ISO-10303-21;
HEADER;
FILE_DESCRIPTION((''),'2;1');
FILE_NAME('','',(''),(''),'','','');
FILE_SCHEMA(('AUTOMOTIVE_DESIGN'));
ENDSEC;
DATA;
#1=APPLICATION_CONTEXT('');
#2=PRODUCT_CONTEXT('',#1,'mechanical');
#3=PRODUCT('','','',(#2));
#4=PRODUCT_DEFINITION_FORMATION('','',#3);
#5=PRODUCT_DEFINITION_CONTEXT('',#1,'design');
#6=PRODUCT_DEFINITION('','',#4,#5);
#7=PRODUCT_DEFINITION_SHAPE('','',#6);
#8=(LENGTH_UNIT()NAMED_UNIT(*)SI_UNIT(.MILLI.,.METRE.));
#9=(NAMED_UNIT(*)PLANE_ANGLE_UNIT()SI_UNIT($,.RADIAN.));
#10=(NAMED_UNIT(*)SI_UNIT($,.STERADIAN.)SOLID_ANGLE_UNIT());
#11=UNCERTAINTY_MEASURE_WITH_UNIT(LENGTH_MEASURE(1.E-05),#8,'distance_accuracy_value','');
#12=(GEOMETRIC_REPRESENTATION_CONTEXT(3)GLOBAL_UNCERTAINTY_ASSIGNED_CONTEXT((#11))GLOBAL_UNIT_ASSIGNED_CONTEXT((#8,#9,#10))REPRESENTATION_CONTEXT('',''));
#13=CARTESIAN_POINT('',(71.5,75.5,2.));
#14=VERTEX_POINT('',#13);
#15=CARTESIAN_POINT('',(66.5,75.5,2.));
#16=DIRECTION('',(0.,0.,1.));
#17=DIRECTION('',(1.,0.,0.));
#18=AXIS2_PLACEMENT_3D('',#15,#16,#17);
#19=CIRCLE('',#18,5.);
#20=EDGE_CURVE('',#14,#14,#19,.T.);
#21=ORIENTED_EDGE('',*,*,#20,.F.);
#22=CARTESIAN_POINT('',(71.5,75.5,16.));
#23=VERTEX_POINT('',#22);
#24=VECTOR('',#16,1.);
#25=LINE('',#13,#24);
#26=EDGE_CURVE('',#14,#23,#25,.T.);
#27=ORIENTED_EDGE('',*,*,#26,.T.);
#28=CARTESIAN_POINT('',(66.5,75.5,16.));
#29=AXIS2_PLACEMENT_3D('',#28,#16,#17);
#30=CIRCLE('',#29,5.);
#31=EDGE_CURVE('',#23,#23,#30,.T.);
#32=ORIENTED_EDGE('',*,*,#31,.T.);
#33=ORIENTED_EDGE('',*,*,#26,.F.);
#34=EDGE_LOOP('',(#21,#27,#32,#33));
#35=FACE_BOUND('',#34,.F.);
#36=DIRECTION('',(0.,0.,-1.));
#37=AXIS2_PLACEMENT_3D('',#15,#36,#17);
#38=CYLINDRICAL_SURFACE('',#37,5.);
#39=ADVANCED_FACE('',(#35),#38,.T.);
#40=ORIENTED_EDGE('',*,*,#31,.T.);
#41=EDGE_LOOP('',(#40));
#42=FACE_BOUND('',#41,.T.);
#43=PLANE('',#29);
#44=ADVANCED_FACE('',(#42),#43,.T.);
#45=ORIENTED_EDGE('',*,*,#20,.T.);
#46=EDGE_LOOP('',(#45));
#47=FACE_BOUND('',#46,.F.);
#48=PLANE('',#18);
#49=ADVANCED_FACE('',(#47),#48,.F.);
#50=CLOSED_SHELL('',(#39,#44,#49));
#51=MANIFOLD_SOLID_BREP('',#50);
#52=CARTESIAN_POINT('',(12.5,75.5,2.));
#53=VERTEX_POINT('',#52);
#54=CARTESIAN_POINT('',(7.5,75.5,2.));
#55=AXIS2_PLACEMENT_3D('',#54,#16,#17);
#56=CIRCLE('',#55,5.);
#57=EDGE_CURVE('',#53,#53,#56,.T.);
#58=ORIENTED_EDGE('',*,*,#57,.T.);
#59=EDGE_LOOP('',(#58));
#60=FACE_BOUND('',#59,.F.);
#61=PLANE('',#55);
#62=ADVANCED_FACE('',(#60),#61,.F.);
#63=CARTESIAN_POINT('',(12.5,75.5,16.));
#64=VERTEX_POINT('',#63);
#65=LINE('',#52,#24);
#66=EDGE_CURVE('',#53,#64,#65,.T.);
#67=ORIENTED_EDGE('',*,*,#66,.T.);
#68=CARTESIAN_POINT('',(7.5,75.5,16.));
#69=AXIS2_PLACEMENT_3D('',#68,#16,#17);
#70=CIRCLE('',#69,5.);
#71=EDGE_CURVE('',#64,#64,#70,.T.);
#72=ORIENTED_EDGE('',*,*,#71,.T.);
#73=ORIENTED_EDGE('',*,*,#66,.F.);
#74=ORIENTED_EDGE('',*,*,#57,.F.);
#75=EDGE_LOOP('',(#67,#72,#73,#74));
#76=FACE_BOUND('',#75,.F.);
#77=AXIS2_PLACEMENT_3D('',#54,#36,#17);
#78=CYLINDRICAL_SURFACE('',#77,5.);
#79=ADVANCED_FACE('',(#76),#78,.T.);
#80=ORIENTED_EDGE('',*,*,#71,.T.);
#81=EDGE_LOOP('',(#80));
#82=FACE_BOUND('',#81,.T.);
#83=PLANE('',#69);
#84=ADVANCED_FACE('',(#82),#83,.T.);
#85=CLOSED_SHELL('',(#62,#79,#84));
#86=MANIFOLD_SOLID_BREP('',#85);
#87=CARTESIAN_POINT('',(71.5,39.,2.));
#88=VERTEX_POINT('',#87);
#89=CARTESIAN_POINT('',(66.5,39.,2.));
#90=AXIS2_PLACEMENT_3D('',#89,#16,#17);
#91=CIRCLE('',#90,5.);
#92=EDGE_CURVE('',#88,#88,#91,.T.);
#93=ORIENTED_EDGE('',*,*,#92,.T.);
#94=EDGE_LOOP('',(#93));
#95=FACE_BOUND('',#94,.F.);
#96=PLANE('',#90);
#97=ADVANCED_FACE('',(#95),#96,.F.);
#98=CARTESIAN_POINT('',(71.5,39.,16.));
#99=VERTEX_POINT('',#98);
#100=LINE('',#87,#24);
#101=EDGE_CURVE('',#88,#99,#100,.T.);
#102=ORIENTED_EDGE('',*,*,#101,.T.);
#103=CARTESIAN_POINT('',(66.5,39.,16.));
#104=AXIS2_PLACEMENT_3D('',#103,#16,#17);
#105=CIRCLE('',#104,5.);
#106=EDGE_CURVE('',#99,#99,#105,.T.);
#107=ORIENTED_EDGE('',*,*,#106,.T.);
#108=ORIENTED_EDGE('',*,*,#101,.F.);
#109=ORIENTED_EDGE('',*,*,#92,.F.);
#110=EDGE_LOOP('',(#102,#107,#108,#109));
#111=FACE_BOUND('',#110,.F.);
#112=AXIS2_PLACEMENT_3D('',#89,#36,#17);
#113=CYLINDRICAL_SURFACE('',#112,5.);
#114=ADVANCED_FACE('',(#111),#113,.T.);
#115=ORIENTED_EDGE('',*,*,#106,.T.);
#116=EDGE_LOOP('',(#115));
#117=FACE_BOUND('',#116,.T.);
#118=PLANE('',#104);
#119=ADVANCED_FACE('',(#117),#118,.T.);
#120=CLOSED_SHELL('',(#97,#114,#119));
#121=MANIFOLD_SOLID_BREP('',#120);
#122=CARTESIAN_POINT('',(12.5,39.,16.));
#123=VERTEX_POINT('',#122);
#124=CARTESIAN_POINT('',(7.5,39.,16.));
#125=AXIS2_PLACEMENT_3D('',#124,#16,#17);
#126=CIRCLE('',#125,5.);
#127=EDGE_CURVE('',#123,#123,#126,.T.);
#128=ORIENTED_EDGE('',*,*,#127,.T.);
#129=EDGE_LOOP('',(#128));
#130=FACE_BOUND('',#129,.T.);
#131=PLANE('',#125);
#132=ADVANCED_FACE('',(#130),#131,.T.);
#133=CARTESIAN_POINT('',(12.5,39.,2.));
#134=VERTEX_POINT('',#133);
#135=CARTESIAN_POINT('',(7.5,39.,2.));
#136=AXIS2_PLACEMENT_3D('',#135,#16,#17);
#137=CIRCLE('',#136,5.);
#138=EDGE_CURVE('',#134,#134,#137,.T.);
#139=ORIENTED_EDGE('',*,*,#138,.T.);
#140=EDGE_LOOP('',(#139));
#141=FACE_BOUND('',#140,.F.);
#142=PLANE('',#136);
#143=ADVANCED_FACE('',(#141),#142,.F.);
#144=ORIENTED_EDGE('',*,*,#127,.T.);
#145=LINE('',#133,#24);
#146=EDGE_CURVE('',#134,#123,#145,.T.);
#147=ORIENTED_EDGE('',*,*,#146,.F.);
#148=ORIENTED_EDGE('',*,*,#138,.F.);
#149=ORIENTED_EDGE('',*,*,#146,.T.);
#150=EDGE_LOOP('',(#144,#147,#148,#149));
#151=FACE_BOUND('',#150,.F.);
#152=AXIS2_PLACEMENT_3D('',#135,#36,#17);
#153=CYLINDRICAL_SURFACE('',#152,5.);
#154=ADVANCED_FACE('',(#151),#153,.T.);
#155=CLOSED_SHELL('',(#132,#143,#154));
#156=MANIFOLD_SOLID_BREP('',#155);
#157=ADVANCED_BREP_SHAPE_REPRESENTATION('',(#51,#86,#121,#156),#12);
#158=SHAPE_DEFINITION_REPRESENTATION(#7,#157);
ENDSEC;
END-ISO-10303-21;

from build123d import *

# Parameters (mm, degrees)
CYLINDER_R        = 5
CYLINDER_DEPTH    = 14
CYLINDER001_R     = 5
CYLINDER001_DEPTH = 14
CYLINDER002_R     = 5
CYLINDER002_DEPTH = 14
CYLINDER003_R     = 5
CYLINDER003_DEPTH = 14


with BuildPart() as cylinder:
    # Cylinder → Cylinder (new body)
    with BuildSketch(Plane(origin=(7.5, 75.5, 2), x_dir=(1, 0, 0), z_dir=(0, 0, 1))):
        Circle(CYLINDER_R)
    extrude(amount=CYLINDER_DEPTH)


with BuildPart() as cylinder001:
    # Cylinder001 → Cylinder001 (new body)
    with BuildSketch(Plane(origin=(66.5, 39, 2), x_dir=(1, 0, 0), z_dir=(0, 0, 1))):
        Circle(CYLINDER001_R)
    extrude(amount=CYLINDER001_DEPTH)


with BuildPart() as cylinder002:
    # Cylinder002 → Cylinder002 (new body)
    with BuildSketch(Plane(origin=(7.5, 39, 2), x_dir=(1, 0, 0), z_dir=(0, 0, 1))):
        Circle(CYLINDER002_R)
    extrude(amount=CYLINDER002_DEPTH)


with BuildPart() as basesbottomindone:
    # Cylinder003 → Cylinder003 (new body)
    with BuildSketch(Plane(origin=(66.5, 75.5, 2), x_dir=(1, 0, 0), z_dir=(0, 0, 1))):
        Circle(CYLINDER003_R)
    extrude(amount=CYLINDER003_DEPTH)

    # Fusion: union Cylinder, Cylinder001, Cylinder002
    add(cylinder.part)
    add(cylinder001.part)
    add(cylinder002.part)


solid = basesbottomindone.part
